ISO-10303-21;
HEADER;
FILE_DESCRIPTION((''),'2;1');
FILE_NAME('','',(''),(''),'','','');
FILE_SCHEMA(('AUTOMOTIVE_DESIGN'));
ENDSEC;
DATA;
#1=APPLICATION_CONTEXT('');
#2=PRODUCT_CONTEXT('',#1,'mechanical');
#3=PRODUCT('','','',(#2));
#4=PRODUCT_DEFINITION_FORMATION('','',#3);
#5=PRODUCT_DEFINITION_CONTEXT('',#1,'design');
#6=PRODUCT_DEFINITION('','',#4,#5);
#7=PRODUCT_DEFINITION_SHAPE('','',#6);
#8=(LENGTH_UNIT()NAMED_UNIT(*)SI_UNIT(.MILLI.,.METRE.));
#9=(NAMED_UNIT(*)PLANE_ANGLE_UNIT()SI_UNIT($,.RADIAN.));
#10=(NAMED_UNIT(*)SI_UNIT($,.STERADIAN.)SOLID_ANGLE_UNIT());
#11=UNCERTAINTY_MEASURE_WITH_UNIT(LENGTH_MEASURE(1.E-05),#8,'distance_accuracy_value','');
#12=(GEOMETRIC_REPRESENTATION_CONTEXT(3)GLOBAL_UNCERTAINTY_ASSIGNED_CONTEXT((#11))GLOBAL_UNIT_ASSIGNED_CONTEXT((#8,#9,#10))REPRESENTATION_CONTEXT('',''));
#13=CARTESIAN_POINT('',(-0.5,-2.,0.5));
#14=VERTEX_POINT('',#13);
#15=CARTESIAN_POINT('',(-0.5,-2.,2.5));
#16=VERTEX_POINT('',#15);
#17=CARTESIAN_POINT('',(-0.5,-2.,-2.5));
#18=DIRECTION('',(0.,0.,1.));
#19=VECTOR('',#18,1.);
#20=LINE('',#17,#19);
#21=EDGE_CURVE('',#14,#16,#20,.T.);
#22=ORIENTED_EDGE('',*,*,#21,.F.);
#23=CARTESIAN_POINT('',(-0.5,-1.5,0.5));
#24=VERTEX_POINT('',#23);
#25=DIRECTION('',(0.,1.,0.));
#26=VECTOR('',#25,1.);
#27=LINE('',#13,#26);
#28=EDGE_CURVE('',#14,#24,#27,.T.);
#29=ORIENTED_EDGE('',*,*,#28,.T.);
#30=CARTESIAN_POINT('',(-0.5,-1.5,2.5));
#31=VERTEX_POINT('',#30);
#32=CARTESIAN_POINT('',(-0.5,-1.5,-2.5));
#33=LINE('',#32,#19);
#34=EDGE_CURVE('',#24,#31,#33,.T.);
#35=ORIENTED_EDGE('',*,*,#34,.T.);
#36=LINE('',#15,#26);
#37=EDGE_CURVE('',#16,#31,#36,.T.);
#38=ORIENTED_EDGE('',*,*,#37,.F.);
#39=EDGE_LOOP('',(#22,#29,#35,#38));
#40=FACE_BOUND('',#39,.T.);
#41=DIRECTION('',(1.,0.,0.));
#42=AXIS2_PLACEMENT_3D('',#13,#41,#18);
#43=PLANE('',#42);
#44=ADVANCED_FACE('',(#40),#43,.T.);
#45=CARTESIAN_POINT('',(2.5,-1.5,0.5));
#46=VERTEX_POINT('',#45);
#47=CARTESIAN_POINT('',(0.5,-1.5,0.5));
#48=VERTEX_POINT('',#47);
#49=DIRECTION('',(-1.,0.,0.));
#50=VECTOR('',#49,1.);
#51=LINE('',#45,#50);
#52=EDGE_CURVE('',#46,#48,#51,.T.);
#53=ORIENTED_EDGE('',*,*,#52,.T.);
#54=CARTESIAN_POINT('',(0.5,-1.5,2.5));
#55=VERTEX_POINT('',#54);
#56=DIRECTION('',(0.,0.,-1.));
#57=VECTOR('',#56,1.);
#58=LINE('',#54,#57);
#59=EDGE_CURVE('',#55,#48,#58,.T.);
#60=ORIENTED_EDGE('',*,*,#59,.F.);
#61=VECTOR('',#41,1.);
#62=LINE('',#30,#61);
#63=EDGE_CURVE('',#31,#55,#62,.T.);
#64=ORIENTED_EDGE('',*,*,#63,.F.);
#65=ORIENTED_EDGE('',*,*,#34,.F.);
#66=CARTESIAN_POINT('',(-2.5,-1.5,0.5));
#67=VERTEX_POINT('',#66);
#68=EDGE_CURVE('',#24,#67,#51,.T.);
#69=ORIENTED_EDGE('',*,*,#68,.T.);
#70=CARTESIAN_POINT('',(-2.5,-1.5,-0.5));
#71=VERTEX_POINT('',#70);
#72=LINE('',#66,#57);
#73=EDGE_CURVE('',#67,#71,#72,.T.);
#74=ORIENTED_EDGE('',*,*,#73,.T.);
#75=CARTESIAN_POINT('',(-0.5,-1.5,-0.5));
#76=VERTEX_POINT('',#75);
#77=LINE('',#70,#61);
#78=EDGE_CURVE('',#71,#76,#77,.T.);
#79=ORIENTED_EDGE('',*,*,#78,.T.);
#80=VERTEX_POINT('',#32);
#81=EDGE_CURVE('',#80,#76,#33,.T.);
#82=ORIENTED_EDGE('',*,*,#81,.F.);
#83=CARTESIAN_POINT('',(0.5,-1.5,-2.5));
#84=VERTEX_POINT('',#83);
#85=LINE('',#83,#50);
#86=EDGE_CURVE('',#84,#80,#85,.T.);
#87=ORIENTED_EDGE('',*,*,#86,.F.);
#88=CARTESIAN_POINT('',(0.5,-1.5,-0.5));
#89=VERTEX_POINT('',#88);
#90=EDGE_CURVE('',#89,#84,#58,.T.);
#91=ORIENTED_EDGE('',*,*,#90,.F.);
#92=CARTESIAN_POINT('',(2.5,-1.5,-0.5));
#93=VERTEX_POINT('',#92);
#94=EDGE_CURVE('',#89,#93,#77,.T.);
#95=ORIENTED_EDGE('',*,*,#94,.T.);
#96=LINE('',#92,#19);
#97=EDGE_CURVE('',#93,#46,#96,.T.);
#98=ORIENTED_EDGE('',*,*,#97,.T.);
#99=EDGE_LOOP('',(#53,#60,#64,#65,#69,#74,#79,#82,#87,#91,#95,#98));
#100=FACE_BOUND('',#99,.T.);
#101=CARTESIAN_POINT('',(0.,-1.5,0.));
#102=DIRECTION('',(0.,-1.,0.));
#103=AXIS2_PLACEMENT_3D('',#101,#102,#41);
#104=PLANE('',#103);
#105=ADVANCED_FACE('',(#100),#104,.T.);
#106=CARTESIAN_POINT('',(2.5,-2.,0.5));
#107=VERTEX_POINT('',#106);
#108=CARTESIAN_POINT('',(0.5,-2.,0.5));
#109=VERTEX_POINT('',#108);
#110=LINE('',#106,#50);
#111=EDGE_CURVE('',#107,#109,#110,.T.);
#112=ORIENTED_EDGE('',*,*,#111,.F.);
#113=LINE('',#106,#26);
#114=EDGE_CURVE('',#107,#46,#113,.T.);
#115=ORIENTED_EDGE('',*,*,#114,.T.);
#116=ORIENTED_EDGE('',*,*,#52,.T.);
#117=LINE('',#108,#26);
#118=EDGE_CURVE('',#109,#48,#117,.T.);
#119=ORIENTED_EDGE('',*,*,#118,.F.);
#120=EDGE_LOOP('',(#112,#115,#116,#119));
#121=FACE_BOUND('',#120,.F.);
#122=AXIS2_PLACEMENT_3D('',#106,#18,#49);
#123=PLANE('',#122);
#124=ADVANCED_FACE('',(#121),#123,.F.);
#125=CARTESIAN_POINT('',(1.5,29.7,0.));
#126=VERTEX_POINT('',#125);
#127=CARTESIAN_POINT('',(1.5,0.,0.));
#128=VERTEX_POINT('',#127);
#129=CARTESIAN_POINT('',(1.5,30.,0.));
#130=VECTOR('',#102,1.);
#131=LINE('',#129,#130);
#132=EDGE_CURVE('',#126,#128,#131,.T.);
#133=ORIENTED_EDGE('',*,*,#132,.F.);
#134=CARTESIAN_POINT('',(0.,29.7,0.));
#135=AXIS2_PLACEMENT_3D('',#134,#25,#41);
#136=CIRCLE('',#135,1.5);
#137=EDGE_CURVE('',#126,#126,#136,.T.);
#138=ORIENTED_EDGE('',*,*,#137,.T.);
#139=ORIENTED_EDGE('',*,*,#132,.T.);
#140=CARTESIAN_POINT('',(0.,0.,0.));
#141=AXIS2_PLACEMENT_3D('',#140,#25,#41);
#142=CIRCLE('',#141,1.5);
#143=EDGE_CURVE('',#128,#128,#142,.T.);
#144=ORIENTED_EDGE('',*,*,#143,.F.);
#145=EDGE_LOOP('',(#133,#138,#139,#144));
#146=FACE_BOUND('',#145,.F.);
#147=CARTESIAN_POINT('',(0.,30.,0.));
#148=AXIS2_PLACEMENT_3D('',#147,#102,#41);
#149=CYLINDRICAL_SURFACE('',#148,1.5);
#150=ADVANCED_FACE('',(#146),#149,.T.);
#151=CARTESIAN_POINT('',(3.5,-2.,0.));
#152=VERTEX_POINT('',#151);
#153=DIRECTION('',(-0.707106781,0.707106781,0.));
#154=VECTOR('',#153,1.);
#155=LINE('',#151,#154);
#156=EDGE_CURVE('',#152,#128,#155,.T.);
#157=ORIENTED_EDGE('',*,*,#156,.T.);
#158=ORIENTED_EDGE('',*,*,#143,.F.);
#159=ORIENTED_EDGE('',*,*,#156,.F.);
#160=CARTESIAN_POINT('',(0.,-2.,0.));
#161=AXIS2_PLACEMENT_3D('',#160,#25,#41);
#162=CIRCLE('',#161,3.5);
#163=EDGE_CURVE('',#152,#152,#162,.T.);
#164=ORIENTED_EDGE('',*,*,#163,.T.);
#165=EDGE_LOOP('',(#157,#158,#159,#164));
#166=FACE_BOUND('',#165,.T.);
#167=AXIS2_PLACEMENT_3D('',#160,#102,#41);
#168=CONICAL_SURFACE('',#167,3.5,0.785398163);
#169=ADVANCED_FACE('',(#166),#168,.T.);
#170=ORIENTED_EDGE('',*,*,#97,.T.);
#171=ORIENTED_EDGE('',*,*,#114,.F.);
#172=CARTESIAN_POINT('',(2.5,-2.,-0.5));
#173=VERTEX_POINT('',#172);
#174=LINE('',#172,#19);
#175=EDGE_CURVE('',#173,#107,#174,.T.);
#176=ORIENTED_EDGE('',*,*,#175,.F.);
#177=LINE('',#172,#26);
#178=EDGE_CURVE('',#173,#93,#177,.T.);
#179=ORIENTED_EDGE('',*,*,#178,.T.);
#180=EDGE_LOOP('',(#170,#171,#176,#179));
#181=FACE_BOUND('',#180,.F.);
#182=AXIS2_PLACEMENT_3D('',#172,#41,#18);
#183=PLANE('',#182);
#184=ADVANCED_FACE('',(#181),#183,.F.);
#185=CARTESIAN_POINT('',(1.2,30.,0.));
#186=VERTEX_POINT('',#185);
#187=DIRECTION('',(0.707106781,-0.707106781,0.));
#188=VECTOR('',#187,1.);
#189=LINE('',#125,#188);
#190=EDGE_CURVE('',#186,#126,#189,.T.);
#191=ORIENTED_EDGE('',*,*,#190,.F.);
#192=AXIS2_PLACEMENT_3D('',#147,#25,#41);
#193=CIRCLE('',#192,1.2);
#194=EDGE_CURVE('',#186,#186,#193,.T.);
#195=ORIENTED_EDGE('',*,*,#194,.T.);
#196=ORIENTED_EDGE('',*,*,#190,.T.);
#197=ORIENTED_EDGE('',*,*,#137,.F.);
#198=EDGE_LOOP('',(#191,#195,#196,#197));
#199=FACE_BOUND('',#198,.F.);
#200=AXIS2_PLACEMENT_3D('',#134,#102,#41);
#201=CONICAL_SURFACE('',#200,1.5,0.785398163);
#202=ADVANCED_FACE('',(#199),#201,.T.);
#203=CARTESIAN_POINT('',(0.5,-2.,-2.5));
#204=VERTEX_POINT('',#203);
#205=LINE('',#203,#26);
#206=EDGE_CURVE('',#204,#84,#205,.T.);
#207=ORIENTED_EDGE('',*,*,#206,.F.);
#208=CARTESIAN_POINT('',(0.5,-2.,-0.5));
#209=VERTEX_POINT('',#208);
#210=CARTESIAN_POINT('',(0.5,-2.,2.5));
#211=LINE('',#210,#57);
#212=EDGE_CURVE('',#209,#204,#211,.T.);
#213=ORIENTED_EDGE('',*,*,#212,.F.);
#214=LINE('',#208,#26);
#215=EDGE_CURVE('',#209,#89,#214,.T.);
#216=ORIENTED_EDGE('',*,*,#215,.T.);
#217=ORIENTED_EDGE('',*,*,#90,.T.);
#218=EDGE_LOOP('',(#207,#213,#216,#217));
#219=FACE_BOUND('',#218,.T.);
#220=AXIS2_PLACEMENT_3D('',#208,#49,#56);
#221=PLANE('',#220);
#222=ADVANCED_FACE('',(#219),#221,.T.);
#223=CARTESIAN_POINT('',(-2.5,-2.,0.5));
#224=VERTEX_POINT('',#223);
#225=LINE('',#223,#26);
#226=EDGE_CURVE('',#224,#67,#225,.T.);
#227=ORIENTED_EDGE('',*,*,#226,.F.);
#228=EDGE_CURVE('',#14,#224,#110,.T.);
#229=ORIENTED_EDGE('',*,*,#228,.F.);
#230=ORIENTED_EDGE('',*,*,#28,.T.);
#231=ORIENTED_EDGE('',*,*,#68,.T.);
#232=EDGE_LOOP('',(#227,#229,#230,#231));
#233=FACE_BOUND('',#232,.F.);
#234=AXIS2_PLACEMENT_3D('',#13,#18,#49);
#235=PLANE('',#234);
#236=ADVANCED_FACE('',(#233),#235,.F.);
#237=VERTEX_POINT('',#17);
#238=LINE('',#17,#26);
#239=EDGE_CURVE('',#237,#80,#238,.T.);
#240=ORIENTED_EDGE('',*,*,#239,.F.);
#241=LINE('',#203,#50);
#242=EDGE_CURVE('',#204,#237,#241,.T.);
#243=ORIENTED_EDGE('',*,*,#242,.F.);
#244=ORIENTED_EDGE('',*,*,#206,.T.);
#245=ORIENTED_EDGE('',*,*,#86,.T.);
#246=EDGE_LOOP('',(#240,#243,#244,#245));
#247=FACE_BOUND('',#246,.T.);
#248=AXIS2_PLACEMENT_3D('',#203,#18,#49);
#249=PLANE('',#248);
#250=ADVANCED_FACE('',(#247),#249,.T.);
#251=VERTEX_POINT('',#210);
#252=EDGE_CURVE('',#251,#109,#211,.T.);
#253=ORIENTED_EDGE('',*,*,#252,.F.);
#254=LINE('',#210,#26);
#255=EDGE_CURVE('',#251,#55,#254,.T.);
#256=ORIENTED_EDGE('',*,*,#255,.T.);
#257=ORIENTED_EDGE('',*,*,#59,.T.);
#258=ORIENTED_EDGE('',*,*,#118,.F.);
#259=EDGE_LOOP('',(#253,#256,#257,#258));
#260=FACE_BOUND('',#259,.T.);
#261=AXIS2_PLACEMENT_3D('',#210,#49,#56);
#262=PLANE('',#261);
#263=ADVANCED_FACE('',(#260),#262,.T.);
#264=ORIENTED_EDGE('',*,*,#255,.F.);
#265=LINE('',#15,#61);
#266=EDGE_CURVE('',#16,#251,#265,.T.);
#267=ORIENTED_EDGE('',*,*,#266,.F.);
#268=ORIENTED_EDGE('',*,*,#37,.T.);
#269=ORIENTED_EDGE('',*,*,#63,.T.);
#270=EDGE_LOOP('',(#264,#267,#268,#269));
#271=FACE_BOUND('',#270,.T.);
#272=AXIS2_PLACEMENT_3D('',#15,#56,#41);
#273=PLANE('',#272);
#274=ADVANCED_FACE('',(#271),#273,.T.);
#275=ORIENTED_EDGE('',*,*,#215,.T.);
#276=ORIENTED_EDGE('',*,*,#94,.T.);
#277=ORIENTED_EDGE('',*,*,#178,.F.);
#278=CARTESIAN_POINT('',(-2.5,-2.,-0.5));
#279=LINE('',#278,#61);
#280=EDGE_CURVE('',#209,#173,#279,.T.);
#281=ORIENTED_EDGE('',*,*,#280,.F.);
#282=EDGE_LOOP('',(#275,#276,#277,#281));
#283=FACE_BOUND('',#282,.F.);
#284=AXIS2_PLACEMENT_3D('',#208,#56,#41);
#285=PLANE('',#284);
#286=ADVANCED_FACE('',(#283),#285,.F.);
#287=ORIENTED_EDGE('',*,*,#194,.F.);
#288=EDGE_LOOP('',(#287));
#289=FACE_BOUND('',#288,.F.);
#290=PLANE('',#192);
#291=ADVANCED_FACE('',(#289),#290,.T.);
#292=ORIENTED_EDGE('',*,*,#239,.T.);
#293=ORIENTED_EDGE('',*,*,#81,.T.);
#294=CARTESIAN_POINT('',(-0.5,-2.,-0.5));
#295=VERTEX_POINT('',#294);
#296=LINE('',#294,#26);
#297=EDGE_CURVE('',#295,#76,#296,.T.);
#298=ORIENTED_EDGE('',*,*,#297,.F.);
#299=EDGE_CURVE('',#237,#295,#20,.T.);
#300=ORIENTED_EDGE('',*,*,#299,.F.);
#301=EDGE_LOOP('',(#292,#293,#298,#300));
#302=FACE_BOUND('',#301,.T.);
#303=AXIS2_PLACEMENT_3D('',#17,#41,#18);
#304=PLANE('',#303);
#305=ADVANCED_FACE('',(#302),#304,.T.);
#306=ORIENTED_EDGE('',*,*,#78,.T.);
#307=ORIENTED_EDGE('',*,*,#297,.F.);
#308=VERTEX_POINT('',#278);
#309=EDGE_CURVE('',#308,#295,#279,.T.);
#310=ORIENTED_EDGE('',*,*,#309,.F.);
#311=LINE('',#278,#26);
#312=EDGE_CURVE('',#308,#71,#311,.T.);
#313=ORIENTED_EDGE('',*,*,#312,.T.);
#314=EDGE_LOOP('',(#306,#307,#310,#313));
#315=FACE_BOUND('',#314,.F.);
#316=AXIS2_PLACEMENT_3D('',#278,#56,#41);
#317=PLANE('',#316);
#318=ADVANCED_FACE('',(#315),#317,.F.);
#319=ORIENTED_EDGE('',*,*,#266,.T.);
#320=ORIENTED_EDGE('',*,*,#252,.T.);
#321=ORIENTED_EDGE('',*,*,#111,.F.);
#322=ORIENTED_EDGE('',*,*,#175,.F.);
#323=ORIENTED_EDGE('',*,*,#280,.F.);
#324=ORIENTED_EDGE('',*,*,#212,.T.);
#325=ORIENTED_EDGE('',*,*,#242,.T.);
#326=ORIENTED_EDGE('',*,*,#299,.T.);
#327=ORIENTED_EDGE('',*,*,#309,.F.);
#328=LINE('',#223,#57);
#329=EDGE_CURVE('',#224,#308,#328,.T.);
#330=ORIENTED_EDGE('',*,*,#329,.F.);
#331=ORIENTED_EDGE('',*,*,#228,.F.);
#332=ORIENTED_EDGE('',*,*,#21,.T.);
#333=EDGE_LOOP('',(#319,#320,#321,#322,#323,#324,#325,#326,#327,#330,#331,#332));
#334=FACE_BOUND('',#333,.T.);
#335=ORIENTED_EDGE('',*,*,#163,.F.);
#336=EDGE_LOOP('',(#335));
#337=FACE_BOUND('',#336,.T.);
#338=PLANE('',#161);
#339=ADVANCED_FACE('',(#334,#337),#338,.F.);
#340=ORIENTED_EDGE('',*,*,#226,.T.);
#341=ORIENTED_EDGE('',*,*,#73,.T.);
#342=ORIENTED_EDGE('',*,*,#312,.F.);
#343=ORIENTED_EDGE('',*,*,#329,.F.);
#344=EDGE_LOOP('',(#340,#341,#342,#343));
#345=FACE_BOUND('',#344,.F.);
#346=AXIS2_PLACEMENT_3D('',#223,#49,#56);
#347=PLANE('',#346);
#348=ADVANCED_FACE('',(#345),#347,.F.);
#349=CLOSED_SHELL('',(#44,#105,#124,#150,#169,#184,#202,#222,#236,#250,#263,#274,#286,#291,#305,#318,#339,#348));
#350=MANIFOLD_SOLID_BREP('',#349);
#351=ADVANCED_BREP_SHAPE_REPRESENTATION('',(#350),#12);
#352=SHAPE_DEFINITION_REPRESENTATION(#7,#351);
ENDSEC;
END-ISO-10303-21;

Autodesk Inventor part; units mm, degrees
ref_plane "YZ Plane" through (0, 0, 0) normal (1, 0, 0) x (0, 1, 0)
ref_plane "XZ Plane" through (0, 0, 0) normal (0, 1, 0) x (-1, 0, 0)
ref_plane "XY Plane" through (0, 0, 0) normal (0, 0, 1) x (1, 0, 0)
sketch "스케치1" plane through (0, 0, 0) normal (0, 0, 1) x (1, 0, 0)
  line L0 (0, 0) -> (0, 30)
  line L1 (0, 30) -> (1.5, 30)
  line L2 (1.5, 30) -> (1.5, 0)
  line L3 (0, -2) -> (3.5, -2)
  line L4 (3.5, -2) -> (1.5, 0)
  line L5 (0, 0) -> (0, -2)
  dimension "d0" = 30
  dimension "d1" = 7
  dimension "d2" = 3
  dimension "d3" = 45
revolve "회전1" add sketch "스케치1" angle 360 about axis through (0, 0, 0) along (0, 1, 0)
chamfer "모따기1" distance 0.3 angle 45 1 edges at (-1.5, 30, 0)
thread "스레드1" size "M3x0.5" class "6g" standard "ANSI Metric M Profile" full length
sketch "스케치2" plane through (0, -2, 0) normal (0, -1, 0) x (1, 0, 0)
  line L0 (-0.5, 2.5) -> (0.5, 2.5)
  line L1 (0.5, 2.5) -> (0.5, -2.5)
  line L2 (0.5, -2.5) -> (-0.5, -2.5)
  line L3 (-0.5, -2.5) -> (-0.5, 2.5)
  circle A0 centre (0, 0) radius 1.2 construction
  line L4 (-0.5, 2.5) -> (0.5, -2.5) construction
  line L5 (0.5, 2.5) -> (-0.5, -2.5) construction
  line L6 (-2.5, -0.5) -> (2.5, -0.5)
  line L7 (2.5, -0.5) -> (2.5, 0.5)
  line L8 (2.5, 0.5) -> (-2.5, 0.5)
  line L9 (-2.5, 0.5) -> (-2.5, -0.5)
  line L10 (-2.5, -0.5) -> (2.5, 0.5) construction
  line L11 (2.5, -0.5) -> (-2.5, 0.5) construction
  point P0 (-0.5, 0.5)
  point P1 (-0.5, -0.5)
  point P2 (0.5, -0.5)
  point P3 (0.5, 0.5)
  dimension "d10" = 1
  dimension "d11" = 5
  dimension "d12" = 5
  dimension "d13" = 1
extrude "돌출1" cut sketch "스케치2" against normal blind 0.5
properties part number "M3 30mm 십자나사"
